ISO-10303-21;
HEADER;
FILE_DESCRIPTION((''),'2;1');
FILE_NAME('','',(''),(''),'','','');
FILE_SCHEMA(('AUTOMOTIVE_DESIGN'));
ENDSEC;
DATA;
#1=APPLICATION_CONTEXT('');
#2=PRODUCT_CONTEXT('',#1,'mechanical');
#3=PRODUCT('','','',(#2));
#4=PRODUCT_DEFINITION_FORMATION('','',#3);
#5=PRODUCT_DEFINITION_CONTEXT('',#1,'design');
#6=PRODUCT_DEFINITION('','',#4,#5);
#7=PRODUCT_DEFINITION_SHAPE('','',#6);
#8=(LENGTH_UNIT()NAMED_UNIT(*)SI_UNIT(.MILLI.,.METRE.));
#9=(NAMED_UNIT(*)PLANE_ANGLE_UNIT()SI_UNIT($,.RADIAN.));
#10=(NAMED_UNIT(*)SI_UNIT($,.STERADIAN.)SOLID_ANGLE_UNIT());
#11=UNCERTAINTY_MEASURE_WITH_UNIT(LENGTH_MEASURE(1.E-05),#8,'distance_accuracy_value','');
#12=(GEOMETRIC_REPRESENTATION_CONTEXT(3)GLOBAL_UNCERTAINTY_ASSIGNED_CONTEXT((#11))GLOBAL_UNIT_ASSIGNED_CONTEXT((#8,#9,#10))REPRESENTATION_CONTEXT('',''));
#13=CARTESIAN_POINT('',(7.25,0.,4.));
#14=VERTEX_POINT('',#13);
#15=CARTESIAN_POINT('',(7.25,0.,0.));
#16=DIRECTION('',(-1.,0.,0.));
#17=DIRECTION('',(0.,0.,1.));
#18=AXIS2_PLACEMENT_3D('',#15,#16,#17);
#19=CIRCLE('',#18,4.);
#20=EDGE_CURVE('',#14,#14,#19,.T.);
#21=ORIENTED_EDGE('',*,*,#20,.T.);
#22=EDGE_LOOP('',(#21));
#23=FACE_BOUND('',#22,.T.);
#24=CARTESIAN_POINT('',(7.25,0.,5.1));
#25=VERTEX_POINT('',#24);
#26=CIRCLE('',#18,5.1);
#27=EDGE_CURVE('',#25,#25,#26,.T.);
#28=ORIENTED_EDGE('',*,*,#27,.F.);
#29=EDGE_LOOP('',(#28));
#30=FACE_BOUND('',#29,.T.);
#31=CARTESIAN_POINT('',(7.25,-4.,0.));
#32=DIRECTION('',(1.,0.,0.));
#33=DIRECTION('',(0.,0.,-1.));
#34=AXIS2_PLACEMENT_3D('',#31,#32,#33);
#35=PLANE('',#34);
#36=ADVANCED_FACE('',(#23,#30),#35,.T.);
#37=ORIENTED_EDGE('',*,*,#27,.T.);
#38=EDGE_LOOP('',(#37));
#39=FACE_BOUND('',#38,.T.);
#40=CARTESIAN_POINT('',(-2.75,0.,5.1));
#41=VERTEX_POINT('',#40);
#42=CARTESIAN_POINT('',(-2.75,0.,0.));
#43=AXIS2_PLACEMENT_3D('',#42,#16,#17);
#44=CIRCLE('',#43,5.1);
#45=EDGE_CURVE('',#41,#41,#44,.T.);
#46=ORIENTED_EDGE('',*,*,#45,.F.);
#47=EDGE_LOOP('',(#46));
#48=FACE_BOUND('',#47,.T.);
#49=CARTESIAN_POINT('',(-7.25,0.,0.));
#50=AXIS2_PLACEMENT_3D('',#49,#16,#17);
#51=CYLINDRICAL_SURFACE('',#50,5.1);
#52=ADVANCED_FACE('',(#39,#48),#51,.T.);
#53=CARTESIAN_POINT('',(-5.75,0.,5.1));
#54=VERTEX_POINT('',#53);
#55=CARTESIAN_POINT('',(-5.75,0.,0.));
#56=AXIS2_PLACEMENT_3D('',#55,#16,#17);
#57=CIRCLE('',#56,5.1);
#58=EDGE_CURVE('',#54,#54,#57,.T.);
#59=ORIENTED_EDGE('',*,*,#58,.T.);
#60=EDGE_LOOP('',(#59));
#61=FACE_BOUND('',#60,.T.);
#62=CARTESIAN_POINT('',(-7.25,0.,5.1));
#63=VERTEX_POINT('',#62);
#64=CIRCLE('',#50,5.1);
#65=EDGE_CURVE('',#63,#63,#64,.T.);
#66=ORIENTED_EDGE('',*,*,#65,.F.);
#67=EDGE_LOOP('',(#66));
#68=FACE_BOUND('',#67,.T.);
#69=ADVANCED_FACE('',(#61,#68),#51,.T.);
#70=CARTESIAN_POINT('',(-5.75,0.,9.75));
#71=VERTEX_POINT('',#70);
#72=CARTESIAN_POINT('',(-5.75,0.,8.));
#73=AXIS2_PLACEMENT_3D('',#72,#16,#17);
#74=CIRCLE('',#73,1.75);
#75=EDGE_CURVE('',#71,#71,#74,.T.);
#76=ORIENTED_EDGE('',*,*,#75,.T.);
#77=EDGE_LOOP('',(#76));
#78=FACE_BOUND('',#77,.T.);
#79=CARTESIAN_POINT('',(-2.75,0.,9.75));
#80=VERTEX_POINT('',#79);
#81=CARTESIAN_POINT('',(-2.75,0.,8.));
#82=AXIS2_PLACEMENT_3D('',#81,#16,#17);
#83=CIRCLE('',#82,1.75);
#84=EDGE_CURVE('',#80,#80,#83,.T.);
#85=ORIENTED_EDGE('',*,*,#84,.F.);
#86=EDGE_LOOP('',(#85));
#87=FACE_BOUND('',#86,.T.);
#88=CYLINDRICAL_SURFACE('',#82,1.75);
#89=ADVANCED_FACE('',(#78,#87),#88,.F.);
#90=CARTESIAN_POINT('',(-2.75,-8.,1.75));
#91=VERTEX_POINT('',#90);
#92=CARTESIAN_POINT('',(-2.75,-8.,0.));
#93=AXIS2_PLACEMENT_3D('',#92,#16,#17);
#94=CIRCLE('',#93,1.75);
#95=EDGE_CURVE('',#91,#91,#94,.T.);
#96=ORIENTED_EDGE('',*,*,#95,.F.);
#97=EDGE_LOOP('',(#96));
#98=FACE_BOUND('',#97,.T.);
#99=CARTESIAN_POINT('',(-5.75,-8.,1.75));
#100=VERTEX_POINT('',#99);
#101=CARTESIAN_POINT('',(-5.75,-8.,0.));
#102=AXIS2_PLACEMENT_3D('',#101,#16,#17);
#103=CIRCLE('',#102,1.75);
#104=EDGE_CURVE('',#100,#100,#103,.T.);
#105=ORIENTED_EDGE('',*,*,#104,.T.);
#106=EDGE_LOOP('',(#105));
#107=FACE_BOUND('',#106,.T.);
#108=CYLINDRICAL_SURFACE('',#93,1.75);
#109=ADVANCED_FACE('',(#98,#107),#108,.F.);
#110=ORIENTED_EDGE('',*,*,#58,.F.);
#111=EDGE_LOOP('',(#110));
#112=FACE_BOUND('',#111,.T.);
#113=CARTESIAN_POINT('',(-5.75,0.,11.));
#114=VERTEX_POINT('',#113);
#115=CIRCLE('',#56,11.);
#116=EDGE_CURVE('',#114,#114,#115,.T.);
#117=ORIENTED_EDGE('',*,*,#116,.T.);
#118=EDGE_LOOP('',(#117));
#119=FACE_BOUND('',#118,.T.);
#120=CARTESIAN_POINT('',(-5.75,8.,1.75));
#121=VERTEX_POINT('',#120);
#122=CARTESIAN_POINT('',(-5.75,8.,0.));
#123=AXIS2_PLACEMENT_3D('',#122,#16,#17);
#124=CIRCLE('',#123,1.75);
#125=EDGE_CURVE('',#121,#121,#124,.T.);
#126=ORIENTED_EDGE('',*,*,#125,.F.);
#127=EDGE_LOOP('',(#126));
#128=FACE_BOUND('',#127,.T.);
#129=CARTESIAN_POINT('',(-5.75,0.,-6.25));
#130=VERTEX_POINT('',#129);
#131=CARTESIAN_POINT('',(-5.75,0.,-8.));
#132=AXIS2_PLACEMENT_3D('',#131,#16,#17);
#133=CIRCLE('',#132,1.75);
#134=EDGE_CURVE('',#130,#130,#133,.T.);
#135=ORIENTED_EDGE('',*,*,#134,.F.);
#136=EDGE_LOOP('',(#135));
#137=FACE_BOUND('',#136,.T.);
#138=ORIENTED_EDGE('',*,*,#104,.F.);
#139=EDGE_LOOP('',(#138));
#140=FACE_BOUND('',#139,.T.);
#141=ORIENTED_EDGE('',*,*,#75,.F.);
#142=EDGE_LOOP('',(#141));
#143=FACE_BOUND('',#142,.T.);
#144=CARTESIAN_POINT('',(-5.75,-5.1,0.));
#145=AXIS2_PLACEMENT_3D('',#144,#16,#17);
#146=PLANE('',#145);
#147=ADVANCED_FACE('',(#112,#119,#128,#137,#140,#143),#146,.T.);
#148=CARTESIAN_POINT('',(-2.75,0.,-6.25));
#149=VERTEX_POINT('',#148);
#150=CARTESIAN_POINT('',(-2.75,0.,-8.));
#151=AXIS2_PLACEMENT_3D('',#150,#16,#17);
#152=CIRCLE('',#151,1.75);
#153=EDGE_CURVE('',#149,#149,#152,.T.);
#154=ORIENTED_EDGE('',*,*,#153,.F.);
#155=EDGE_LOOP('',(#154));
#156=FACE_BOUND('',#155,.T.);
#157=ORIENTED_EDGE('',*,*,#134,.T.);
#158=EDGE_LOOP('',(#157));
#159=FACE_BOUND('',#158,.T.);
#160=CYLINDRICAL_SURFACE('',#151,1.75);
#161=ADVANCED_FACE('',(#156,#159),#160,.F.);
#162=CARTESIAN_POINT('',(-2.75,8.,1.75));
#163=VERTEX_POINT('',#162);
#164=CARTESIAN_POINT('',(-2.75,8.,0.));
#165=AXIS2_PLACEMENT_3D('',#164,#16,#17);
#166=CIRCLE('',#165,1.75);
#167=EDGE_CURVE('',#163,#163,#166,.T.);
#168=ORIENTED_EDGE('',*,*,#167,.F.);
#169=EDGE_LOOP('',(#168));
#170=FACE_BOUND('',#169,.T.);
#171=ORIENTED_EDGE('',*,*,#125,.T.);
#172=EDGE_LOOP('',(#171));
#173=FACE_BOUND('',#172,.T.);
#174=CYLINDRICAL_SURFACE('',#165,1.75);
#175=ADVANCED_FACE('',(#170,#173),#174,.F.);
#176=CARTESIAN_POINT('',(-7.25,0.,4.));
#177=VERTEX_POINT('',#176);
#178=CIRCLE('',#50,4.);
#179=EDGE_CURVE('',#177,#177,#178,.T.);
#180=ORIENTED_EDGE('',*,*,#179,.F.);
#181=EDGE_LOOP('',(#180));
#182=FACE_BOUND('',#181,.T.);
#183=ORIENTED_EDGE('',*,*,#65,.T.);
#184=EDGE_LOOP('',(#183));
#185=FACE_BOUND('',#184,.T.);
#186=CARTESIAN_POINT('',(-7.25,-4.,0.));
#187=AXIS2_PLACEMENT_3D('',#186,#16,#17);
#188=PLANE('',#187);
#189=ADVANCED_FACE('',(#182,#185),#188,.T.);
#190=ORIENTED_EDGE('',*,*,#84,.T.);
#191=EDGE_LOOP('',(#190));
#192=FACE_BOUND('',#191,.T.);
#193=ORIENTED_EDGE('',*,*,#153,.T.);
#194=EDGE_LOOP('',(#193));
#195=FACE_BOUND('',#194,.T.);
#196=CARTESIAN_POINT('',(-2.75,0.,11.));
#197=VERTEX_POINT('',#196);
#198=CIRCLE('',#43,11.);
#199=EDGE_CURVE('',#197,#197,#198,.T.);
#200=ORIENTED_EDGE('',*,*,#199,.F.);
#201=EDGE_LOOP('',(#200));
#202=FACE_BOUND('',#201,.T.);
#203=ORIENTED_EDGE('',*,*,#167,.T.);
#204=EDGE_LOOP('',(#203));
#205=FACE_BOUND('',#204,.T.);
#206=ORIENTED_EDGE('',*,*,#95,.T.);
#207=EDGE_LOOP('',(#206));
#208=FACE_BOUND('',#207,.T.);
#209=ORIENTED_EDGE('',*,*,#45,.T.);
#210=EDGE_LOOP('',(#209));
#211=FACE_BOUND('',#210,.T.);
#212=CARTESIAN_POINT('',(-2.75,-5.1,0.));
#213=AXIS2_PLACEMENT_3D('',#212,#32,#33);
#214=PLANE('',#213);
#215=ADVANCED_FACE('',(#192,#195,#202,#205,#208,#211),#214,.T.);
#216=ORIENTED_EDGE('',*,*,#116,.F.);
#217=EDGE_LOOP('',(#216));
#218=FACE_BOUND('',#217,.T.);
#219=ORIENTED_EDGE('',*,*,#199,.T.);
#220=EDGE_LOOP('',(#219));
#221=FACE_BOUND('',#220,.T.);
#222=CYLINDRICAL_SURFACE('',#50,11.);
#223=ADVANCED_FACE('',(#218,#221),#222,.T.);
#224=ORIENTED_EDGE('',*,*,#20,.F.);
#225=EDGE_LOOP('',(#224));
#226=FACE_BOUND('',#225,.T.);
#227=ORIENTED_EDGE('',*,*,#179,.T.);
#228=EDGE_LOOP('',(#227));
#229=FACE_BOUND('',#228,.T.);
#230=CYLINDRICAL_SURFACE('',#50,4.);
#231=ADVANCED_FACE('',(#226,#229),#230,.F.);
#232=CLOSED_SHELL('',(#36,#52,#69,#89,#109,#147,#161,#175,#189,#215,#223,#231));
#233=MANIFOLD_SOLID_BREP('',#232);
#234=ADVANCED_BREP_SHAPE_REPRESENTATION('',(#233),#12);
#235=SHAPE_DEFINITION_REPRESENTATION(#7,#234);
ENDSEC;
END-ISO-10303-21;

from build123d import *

# Parameters (mm, degrees)
SKETCH3_R          = 1.75
CUT_EXTRUDE2_DEPTH = 3


with BuildPart() as part:
    # Sketch1 → Revolve1 (revolve)
    with BuildSketch(Plane.XY):
        Polygon((-5.75, -5.1), (-5.75, -11), (-2.75, -11), (-2.75, -5.1), (7.25, -5.1), (7.25, -4), (-7.25, -4), (-7.25, -5.1), align=None)
    revolve(axis=Axis((-7.25, 0, 0), (1, 0, 0)))

    # Sketch3 → Cut-Extrude2 (cut)
    with BuildSketch(Plane.ZY.offset(5.75)):
        with Locations((0, 8)):
            Circle(SKETCH3_R)
        with Locations((0, -8)):
            Circle(SKETCH3_R)
        with Locations((8, 0)):
            Circle(SKETCH3_R)
        with Locations((-8, 0)):
            Circle(SKETCH3_R)
        Polygon((5205.178442712, 2346.745629148), (5205.178442712, 2340.845629148), (5208.178442712, 2340.845629148), (5208.178442712, 2346.745629148), (5218.178442712, 2346.745629148), (5218.178442712, 2347.845629148), (5203.678442712, 2347.845629148), (5203.678442712, 2346.745629148), align=None)
    extrude(amount=-CUT_EXTRUDE2_DEPTH, mode=Mode.SUBTRACT)


solid = part.part
